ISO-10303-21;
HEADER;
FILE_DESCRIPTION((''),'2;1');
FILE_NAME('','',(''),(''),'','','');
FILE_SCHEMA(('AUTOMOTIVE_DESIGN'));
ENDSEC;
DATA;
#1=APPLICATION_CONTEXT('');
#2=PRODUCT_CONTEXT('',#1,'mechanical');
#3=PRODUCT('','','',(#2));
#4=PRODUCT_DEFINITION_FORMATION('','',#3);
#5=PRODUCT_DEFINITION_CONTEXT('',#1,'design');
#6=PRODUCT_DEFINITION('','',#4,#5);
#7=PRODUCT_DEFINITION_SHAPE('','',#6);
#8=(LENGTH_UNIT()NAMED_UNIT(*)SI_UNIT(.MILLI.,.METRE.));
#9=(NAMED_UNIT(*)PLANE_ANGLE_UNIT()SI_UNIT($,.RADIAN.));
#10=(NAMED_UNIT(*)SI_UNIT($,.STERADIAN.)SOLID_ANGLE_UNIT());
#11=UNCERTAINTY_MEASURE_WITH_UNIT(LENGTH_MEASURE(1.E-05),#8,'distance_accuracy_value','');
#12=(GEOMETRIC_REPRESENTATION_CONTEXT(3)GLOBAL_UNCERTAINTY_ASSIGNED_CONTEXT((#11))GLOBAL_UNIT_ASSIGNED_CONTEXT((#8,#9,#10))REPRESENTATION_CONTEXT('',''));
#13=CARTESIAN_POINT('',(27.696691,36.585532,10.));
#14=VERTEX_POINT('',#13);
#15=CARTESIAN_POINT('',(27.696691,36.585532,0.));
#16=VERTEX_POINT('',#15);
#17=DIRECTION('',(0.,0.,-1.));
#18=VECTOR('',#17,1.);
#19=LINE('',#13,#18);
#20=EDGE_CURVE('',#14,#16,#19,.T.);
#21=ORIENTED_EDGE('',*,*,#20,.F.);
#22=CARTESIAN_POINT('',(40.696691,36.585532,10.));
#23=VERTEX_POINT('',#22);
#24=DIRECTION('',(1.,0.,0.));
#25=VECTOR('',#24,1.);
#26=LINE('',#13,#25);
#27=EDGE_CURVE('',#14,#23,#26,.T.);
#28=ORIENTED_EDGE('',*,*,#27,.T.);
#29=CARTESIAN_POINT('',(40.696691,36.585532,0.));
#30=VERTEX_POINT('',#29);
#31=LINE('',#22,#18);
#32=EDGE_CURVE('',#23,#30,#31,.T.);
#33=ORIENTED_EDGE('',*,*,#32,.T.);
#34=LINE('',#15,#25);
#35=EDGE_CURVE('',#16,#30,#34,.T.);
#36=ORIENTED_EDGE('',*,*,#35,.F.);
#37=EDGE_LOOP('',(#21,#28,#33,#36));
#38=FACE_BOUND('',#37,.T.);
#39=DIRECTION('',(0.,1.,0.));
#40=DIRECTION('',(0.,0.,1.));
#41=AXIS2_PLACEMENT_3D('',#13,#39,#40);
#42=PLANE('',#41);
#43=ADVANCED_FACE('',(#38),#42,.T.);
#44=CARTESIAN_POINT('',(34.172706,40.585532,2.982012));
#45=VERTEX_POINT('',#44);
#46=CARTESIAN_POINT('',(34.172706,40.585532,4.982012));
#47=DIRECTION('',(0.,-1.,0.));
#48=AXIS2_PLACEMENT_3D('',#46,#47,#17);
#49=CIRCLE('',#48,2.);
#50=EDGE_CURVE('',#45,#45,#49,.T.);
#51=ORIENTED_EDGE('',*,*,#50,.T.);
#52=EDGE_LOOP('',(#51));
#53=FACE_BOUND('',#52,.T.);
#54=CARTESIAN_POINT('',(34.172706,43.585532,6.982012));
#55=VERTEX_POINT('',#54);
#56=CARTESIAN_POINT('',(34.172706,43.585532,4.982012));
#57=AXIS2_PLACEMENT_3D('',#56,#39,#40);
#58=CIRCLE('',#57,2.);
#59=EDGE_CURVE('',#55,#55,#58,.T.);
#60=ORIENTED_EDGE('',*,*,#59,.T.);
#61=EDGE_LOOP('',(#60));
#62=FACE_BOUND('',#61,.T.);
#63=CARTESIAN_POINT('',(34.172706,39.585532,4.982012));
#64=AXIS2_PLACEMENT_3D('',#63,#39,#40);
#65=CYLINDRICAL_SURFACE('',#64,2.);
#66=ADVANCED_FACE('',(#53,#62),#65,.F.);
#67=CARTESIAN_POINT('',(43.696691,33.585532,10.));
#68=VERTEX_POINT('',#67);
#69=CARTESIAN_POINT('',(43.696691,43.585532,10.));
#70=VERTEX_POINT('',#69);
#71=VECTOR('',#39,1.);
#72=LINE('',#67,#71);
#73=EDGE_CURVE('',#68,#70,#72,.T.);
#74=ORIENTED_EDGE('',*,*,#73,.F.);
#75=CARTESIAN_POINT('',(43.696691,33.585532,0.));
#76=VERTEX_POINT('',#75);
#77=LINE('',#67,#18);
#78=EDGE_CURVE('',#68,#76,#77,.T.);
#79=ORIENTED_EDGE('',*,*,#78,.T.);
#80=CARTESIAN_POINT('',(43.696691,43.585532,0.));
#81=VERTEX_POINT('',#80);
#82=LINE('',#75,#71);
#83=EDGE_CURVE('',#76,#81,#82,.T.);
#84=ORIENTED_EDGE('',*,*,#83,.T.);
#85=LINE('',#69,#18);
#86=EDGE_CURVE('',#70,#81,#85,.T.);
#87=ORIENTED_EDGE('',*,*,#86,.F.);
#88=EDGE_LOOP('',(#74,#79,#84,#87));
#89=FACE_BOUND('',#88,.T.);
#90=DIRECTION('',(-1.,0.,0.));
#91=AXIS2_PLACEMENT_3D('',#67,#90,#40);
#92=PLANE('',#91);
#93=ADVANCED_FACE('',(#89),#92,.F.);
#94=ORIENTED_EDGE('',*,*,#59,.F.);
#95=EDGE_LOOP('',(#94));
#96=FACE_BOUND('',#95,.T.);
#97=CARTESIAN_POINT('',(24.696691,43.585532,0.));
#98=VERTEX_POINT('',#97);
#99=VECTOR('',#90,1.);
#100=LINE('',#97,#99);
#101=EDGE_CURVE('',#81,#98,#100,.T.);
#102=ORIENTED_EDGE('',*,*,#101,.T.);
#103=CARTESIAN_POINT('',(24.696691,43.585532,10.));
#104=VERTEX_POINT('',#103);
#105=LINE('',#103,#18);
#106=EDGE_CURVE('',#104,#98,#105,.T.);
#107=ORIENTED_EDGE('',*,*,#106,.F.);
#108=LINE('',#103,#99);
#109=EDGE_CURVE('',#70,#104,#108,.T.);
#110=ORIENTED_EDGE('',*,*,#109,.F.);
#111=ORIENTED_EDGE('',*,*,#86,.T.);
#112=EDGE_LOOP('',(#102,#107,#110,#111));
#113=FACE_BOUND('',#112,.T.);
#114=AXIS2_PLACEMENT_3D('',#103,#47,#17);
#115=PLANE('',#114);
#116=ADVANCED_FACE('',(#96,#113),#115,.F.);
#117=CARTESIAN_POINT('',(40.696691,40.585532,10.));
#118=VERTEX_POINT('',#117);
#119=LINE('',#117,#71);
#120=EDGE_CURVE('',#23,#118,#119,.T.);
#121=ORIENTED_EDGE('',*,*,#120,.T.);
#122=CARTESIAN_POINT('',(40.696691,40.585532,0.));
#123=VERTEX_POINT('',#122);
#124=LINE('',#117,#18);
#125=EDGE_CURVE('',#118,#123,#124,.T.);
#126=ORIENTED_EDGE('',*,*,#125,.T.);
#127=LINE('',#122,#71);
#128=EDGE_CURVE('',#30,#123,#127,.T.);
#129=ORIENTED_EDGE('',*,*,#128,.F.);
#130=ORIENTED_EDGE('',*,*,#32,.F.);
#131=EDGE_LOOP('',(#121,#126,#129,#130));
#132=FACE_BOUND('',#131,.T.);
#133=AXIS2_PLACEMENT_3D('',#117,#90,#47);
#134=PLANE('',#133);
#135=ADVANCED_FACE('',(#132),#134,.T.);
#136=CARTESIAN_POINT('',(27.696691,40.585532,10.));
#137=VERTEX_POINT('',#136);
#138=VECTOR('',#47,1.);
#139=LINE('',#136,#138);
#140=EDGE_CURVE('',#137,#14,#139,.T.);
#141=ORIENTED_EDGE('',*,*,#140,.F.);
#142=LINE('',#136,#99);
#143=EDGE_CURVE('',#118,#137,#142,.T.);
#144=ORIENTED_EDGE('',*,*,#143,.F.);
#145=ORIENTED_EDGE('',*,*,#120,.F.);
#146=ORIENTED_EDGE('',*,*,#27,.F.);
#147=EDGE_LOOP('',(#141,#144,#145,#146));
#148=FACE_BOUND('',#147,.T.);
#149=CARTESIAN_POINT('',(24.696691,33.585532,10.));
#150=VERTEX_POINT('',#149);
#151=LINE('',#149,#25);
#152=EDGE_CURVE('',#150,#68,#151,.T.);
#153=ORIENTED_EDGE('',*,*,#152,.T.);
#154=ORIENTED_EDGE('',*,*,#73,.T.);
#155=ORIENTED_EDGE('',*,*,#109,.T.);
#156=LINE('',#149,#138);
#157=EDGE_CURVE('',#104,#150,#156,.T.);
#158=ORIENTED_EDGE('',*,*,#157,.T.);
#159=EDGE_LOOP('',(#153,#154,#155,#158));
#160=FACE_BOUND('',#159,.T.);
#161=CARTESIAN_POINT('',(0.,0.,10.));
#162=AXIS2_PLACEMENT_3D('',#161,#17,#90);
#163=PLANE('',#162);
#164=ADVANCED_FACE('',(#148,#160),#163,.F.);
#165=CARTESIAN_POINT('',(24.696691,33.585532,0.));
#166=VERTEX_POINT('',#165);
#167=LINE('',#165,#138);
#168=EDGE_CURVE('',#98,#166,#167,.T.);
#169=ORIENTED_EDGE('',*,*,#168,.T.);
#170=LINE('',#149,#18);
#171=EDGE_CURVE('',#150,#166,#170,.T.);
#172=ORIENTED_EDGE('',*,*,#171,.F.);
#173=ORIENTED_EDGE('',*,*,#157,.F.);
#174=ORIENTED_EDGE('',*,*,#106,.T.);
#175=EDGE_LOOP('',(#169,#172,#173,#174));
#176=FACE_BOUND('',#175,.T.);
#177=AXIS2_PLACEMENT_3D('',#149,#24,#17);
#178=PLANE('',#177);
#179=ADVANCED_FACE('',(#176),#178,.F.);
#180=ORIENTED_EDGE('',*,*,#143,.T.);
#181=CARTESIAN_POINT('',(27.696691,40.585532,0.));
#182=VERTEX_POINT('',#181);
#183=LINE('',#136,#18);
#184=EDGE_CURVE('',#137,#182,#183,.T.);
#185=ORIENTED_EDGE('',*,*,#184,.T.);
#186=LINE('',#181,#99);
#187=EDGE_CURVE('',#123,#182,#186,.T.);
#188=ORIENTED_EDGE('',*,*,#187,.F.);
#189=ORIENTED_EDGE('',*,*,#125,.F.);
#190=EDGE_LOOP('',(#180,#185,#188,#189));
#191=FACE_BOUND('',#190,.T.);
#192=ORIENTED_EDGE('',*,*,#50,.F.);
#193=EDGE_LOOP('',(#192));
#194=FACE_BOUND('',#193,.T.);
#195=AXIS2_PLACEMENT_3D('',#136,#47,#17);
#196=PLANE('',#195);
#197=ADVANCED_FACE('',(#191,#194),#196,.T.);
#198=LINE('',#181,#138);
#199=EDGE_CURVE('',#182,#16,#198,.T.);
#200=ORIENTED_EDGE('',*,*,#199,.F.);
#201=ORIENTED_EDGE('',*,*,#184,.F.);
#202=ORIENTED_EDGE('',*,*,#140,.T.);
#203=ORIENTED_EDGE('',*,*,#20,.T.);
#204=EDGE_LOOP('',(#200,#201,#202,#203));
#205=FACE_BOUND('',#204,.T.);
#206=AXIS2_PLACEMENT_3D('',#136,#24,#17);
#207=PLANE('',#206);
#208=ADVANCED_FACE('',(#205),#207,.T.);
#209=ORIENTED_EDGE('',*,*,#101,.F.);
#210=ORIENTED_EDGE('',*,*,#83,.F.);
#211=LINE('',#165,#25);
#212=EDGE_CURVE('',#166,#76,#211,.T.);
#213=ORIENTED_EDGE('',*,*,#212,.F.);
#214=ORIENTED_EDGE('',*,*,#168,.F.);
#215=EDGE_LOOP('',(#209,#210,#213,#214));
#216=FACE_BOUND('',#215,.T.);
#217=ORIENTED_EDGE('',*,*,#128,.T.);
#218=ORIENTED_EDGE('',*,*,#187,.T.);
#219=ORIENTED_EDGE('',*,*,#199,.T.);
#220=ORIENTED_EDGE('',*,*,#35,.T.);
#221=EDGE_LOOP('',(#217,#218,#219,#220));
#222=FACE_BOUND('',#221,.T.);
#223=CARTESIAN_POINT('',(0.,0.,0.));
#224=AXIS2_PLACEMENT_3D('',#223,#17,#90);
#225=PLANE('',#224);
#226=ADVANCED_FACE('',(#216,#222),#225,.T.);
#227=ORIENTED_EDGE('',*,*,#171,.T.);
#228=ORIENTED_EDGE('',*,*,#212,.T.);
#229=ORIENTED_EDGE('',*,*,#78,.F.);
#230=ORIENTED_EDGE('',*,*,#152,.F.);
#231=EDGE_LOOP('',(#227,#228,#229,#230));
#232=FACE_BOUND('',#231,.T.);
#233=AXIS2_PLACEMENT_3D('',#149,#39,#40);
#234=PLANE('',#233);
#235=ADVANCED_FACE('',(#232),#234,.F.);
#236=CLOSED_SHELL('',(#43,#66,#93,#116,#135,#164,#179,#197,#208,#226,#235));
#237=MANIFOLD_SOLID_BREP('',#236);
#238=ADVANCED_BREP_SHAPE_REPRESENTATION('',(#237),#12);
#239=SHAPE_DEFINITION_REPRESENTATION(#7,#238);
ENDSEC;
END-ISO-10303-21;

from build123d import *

# Parameters (mm, degrees)
SKETCH3_W           = 19
SKETCH3_H           = 10
SKETCH3_W_2         = 13
SKETCH3_H_2         = 4
BOSS_EXTRUDE1_DEPTH = 10
SKETCH4_R           = 2
CUT_EXTRUDE1_DEPTH  = 4


with BuildPart() as part:
    # Sketch3 → Boss-Extrude1 (new body)
    with BuildSketch(Plane.XY):
        with Locations((34.196690887, 38.585532183)):
            Rectangle(SKETCH3_W, SKETCH3_H)
        with Locations((34.196690887, 38.585532183)):
            Rectangle(SKETCH3_W_2, SKETCH3_H_2, mode=Mode.SUBTRACT)
    extrude(amount=BOSS_EXTRUDE1_DEPTH)

    # Sketch4 → Cut-Extrude1 (cut)
    with BuildSketch(Plane(origin=(0, 43.585532183, 0), x_dir=(1, 0, 0), z_dir=(0, 1, 0))):
        with Locations(Location((34.172706418, -4.982011648, 0), (0, 0, 270))):
            Circle(SKETCH4_R)
    extrude(amount=-CUT_EXTRUDE1_DEPTH, mode=Mode.SUBTRACT)


solid = part.part
